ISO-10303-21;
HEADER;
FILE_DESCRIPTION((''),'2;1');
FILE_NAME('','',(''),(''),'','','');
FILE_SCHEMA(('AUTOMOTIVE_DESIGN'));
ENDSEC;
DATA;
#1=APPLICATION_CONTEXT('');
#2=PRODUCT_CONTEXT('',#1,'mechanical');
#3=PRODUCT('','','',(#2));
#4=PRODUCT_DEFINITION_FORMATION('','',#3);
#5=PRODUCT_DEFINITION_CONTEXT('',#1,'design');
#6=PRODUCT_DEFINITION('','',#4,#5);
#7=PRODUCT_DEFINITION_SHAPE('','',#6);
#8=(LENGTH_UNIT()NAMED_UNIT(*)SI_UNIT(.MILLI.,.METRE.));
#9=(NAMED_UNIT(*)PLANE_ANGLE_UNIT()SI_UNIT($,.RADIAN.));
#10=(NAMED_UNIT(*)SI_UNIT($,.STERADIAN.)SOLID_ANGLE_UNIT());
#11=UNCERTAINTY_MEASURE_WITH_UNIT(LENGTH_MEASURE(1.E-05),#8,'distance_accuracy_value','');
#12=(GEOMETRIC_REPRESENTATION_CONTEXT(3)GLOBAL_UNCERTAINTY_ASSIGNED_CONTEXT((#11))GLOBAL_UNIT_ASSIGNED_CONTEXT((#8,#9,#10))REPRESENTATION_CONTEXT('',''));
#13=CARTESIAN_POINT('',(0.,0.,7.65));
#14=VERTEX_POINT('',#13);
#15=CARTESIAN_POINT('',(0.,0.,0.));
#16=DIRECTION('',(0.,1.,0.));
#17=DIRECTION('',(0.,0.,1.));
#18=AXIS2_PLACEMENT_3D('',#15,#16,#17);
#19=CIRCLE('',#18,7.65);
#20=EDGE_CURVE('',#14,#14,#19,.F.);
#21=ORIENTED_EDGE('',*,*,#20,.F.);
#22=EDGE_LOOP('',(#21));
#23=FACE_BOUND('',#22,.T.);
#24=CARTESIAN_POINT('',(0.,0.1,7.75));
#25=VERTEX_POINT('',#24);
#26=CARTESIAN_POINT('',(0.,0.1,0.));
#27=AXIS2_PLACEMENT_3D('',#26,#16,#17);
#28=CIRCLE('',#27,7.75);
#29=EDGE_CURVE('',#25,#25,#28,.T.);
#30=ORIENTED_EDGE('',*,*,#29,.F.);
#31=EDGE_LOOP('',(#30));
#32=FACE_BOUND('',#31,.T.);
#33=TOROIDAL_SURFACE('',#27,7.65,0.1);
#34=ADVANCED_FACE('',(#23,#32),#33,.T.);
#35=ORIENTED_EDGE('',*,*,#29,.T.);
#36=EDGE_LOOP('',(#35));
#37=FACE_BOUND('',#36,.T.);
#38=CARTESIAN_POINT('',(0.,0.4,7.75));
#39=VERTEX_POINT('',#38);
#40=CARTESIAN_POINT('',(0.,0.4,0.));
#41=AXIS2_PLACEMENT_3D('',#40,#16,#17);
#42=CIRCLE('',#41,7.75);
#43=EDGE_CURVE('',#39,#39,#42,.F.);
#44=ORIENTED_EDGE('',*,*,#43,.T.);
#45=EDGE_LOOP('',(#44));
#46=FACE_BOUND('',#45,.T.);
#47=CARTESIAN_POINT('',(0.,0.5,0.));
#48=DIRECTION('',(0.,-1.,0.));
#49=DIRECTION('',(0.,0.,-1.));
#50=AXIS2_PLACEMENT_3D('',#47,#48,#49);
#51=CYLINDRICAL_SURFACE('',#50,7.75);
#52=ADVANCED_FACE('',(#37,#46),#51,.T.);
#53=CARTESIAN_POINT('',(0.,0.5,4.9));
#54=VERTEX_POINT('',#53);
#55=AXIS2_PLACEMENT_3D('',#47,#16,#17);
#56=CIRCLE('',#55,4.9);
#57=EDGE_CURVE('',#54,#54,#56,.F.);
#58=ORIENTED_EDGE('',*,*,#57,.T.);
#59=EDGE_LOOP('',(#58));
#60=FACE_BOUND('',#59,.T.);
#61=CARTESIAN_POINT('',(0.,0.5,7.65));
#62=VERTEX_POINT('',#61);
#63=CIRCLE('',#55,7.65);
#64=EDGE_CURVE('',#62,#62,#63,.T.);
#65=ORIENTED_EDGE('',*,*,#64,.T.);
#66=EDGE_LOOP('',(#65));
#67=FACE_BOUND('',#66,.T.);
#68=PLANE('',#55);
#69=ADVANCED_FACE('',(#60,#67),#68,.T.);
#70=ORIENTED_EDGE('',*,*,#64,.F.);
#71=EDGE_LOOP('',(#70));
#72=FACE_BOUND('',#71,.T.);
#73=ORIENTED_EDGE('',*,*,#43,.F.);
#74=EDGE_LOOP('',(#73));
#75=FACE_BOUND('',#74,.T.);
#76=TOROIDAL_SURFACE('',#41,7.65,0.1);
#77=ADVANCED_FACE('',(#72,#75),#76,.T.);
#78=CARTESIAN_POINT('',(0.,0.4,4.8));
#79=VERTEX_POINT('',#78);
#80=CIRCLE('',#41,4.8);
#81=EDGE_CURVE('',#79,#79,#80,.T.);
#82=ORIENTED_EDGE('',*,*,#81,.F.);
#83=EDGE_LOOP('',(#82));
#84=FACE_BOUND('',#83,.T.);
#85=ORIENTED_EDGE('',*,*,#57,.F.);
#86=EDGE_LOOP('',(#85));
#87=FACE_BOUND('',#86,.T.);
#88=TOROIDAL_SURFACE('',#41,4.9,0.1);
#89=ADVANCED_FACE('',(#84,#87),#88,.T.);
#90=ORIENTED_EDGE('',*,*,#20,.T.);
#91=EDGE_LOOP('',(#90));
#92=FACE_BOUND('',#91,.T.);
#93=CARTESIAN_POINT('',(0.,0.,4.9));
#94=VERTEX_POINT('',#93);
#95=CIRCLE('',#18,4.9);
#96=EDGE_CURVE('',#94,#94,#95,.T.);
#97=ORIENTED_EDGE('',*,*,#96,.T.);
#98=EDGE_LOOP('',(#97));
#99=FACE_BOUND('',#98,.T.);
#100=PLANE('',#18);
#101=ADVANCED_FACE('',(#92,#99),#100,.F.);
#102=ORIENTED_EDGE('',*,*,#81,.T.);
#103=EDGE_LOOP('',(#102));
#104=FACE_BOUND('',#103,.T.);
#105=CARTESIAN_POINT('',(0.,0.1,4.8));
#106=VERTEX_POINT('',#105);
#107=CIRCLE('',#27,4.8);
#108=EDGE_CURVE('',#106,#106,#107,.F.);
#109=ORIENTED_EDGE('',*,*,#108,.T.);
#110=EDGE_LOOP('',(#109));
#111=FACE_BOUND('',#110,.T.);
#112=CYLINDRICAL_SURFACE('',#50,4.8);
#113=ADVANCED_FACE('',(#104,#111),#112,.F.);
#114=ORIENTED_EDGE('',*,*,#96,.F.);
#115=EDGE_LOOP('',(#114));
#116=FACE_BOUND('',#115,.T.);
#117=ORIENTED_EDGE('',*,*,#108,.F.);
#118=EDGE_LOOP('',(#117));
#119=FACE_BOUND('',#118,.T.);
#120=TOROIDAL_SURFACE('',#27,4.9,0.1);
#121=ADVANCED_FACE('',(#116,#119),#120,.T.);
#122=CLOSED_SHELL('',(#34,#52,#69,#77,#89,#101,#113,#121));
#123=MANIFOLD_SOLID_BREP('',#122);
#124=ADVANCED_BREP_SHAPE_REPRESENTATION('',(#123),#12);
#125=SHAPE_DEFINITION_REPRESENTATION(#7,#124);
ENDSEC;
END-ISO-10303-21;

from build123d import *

# Parameters (mm, degrees)
SKETCH2_R           = 7.75
SKETCH2_R_2         = 4.8
BOSS_EXTRUDE1_DEPTH = 0.5
FILLET1_R           = 0.1


with BuildPart() as part:
    # Sketch2 → Boss-Extrude1 (new body)
    with BuildSketch(Plane(origin=(0, 0, 0), x_dir=(1, 0, 0), z_dir=(0, 1, 0))):
        Circle(SKETCH2_R)
        Circle(SKETCH2_R_2, mode=Mode.SUBTRACT)
    extrude(amount=BOSS_EXTRUDE1_DEPTH)

    # Fillet1
    fillet1_edges = [part.edges().sort_by_distance(p)[0] for p in [
        (-7.75, 0, 0),
        (-7.75, 0.5, 0),
        (-4.8, 0, 0),
        (-4.8, 0.5, 0),
    ]]
    fillet(fillet1_edges, radius=FILLET1_R)


solid = part.part
